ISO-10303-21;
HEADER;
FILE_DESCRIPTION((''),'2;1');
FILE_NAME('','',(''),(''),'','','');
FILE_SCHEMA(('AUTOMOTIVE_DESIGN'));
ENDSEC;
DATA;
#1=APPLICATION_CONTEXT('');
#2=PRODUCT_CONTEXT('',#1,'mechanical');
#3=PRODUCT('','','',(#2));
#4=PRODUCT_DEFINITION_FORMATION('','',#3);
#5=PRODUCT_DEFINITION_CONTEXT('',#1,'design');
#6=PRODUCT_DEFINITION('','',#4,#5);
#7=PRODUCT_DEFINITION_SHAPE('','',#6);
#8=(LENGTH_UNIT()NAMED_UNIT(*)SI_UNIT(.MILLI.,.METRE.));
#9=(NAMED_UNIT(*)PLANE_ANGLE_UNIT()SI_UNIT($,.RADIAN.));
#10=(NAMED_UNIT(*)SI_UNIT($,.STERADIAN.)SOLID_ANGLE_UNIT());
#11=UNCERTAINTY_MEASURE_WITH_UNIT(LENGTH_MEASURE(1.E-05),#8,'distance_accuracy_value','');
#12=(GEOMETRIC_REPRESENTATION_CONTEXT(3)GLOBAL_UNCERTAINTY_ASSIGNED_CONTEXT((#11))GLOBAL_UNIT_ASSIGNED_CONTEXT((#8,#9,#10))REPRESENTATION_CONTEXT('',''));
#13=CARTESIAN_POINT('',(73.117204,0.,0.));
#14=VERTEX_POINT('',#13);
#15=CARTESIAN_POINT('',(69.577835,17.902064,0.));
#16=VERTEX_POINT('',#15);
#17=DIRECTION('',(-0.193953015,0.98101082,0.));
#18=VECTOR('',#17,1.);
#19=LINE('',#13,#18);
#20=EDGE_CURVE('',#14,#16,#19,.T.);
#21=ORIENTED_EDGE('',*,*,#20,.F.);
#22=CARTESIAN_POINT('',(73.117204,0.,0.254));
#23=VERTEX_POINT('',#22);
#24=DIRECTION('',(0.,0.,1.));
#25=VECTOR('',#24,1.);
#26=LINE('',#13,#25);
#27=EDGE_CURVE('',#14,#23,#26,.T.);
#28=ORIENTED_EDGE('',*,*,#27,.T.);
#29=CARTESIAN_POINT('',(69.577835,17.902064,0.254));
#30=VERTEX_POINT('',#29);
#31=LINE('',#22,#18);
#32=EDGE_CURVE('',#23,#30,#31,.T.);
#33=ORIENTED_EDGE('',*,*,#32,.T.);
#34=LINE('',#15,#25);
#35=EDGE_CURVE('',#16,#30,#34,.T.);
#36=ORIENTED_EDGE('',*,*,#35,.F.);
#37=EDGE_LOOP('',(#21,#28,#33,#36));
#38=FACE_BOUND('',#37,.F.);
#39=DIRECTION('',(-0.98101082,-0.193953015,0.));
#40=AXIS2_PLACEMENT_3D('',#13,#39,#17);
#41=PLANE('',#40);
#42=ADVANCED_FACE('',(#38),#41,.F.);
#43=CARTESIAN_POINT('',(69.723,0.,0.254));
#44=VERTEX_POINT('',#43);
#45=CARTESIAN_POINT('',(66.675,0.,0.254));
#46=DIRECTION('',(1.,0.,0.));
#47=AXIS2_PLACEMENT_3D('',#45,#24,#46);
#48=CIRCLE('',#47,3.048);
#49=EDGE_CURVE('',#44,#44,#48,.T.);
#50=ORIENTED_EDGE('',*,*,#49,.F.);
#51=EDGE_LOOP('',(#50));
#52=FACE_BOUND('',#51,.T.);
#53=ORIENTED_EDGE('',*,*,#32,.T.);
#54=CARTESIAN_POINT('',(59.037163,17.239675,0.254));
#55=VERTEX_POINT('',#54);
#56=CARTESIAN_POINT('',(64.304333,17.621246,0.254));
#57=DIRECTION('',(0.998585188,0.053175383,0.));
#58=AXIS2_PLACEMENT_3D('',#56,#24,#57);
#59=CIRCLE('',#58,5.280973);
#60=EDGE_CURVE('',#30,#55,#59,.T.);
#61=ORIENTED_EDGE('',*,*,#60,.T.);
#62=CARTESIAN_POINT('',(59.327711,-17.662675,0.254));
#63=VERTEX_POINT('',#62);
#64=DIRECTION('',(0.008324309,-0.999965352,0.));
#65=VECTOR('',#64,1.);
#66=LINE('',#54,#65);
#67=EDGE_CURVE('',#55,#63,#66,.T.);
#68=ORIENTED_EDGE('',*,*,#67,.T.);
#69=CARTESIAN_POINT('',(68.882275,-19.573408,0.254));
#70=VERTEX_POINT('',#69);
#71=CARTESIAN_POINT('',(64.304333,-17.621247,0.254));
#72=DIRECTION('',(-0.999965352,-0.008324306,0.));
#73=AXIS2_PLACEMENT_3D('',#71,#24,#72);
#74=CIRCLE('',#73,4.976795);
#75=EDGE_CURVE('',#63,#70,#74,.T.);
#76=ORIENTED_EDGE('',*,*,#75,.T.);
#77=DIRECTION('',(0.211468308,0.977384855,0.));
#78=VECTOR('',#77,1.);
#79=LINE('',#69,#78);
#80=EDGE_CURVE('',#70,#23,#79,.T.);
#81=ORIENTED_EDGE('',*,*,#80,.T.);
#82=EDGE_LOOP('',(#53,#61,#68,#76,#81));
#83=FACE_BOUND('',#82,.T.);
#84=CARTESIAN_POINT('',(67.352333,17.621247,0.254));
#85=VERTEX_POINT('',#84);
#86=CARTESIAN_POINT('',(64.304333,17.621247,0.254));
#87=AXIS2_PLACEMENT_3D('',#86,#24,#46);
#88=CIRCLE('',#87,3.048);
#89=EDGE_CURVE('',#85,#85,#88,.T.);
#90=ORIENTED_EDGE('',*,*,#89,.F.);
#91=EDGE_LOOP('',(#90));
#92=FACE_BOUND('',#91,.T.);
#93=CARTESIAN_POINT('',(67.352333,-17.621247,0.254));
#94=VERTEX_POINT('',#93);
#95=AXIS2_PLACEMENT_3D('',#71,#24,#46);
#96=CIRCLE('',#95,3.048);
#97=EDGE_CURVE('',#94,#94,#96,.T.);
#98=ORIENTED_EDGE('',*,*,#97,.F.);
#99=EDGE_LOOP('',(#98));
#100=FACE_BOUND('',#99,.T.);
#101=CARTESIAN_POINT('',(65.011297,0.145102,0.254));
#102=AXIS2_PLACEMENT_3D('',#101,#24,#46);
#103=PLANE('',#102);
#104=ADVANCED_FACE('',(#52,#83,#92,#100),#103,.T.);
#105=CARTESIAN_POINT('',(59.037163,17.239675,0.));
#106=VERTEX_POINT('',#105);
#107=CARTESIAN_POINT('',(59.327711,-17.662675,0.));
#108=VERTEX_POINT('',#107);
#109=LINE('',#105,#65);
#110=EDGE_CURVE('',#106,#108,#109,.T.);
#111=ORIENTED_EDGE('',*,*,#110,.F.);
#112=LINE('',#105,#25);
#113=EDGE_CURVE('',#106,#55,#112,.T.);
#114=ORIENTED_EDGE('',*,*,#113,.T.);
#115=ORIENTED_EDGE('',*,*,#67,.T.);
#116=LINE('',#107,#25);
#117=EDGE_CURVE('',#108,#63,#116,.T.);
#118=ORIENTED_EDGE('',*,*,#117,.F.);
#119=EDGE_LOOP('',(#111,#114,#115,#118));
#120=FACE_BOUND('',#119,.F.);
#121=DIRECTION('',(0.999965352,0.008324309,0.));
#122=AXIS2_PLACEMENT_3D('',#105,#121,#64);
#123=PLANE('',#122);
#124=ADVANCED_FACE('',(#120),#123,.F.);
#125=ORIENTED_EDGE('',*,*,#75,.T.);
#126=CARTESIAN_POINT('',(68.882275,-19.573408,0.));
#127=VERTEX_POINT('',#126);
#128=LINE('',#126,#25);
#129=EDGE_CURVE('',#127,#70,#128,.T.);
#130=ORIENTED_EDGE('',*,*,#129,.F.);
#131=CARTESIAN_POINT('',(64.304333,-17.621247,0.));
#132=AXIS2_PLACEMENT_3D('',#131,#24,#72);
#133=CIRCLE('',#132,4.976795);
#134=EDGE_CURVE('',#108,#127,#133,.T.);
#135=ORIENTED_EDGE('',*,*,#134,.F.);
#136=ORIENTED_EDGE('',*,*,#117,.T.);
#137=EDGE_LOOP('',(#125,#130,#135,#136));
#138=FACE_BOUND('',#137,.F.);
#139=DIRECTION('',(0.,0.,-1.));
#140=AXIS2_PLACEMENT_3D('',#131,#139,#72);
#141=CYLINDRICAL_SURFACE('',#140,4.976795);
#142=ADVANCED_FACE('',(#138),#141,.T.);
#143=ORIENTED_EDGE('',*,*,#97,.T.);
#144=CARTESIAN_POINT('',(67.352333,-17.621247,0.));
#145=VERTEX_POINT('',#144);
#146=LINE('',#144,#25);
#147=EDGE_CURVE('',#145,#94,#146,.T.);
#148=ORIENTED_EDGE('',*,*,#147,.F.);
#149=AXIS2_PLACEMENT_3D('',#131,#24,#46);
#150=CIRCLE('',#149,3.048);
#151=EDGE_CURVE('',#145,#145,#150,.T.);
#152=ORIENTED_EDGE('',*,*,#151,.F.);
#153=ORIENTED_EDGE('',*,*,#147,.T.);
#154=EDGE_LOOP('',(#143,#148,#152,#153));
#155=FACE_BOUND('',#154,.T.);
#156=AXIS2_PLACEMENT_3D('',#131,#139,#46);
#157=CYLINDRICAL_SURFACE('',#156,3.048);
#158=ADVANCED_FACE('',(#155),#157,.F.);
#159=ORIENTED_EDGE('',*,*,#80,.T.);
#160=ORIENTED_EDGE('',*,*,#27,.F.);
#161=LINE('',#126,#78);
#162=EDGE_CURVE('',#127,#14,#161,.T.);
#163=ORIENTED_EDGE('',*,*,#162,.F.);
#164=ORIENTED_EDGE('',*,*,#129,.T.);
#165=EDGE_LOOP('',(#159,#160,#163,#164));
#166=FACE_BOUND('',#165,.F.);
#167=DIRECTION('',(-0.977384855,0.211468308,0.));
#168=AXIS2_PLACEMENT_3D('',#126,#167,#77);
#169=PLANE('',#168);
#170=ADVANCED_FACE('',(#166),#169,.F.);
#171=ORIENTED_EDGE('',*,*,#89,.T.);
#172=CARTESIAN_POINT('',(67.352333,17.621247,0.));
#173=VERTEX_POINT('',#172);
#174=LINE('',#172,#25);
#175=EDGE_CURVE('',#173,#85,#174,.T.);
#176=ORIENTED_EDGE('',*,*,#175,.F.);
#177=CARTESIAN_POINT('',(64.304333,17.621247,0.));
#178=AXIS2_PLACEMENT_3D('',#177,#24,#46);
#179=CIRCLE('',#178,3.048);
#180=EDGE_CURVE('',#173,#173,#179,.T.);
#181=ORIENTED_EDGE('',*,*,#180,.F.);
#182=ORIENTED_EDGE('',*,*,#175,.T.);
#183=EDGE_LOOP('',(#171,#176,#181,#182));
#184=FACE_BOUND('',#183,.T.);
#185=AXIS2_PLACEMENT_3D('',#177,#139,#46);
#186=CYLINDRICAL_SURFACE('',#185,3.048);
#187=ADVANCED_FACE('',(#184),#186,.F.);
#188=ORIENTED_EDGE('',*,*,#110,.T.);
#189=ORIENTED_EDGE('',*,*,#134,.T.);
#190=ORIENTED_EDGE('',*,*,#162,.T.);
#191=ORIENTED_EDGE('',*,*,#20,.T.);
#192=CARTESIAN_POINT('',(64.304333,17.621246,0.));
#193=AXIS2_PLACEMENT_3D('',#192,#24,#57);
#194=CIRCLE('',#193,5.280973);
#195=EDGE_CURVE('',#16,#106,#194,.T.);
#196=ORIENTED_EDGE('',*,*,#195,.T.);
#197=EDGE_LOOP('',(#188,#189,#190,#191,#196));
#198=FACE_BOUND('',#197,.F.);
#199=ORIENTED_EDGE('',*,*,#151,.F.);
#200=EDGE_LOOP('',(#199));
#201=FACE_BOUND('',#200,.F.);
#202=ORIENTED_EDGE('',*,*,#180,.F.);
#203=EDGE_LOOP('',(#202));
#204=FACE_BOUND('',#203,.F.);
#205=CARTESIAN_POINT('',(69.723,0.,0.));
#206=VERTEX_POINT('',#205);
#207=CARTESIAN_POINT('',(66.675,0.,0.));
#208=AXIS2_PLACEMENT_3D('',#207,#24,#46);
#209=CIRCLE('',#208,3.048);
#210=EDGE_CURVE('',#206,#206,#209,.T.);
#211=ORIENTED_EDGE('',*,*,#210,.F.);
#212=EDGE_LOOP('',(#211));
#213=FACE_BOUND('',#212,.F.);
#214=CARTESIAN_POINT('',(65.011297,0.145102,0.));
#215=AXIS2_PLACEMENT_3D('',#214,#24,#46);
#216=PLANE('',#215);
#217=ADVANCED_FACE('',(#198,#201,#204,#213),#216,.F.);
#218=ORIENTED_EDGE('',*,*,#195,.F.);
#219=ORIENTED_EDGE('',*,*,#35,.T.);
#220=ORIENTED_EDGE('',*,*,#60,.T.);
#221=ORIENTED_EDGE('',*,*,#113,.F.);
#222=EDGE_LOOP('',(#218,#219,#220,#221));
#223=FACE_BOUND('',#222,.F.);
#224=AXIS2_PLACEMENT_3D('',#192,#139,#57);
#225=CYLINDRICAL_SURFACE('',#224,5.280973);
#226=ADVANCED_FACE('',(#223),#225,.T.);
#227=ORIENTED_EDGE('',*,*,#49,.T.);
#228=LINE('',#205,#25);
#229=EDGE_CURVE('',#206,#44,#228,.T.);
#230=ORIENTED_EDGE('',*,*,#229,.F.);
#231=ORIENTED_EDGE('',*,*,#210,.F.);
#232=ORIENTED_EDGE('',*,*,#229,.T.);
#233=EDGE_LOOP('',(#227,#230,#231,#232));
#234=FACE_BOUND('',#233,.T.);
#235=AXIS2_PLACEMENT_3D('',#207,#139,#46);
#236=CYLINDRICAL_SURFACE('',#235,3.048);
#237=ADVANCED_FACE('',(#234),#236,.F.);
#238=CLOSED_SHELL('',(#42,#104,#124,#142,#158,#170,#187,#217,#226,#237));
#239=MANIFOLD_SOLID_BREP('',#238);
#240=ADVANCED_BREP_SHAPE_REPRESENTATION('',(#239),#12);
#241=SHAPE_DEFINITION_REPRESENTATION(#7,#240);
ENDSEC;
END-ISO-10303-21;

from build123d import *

# Parameters (mm, degrees)
F0_R     = 3.048
F1_DEPTH = 0.254


with BuildPart() as f1:
    # F0 (on Top) → F1 (new body)
    with BuildSketch(Plane.XY):
        with BuildLine():
            Line((73.117204, 0), (69.577835, 17.902064))
            ThreePointArc((69.577835, 17.902064), (63.973124, 22.891823), (59.037163, 17.239675))
            Line((59.037163, 17.239675), (59.327711, -17.662675))
            ThreePointArc((59.327711, -17.662675), (63.328392, -22.501413), (68.882275, -19.573408))
            Line((68.882275, -19.573408), (73.117204, 0))
        make_face()
        with Locations((64.304333, -17.621247)):
            Circle(F0_R, mode=Mode.SUBTRACT)
        with Locations((66.675, 0)):
            Circle(F0_R, mode=Mode.SUBTRACT)
        with Locations((64.304333, 17.621247)):
            Circle(F0_R, mode=Mode.SUBTRACT)
    extrude(amount=F1_DEPTH)


solid = f1.part
